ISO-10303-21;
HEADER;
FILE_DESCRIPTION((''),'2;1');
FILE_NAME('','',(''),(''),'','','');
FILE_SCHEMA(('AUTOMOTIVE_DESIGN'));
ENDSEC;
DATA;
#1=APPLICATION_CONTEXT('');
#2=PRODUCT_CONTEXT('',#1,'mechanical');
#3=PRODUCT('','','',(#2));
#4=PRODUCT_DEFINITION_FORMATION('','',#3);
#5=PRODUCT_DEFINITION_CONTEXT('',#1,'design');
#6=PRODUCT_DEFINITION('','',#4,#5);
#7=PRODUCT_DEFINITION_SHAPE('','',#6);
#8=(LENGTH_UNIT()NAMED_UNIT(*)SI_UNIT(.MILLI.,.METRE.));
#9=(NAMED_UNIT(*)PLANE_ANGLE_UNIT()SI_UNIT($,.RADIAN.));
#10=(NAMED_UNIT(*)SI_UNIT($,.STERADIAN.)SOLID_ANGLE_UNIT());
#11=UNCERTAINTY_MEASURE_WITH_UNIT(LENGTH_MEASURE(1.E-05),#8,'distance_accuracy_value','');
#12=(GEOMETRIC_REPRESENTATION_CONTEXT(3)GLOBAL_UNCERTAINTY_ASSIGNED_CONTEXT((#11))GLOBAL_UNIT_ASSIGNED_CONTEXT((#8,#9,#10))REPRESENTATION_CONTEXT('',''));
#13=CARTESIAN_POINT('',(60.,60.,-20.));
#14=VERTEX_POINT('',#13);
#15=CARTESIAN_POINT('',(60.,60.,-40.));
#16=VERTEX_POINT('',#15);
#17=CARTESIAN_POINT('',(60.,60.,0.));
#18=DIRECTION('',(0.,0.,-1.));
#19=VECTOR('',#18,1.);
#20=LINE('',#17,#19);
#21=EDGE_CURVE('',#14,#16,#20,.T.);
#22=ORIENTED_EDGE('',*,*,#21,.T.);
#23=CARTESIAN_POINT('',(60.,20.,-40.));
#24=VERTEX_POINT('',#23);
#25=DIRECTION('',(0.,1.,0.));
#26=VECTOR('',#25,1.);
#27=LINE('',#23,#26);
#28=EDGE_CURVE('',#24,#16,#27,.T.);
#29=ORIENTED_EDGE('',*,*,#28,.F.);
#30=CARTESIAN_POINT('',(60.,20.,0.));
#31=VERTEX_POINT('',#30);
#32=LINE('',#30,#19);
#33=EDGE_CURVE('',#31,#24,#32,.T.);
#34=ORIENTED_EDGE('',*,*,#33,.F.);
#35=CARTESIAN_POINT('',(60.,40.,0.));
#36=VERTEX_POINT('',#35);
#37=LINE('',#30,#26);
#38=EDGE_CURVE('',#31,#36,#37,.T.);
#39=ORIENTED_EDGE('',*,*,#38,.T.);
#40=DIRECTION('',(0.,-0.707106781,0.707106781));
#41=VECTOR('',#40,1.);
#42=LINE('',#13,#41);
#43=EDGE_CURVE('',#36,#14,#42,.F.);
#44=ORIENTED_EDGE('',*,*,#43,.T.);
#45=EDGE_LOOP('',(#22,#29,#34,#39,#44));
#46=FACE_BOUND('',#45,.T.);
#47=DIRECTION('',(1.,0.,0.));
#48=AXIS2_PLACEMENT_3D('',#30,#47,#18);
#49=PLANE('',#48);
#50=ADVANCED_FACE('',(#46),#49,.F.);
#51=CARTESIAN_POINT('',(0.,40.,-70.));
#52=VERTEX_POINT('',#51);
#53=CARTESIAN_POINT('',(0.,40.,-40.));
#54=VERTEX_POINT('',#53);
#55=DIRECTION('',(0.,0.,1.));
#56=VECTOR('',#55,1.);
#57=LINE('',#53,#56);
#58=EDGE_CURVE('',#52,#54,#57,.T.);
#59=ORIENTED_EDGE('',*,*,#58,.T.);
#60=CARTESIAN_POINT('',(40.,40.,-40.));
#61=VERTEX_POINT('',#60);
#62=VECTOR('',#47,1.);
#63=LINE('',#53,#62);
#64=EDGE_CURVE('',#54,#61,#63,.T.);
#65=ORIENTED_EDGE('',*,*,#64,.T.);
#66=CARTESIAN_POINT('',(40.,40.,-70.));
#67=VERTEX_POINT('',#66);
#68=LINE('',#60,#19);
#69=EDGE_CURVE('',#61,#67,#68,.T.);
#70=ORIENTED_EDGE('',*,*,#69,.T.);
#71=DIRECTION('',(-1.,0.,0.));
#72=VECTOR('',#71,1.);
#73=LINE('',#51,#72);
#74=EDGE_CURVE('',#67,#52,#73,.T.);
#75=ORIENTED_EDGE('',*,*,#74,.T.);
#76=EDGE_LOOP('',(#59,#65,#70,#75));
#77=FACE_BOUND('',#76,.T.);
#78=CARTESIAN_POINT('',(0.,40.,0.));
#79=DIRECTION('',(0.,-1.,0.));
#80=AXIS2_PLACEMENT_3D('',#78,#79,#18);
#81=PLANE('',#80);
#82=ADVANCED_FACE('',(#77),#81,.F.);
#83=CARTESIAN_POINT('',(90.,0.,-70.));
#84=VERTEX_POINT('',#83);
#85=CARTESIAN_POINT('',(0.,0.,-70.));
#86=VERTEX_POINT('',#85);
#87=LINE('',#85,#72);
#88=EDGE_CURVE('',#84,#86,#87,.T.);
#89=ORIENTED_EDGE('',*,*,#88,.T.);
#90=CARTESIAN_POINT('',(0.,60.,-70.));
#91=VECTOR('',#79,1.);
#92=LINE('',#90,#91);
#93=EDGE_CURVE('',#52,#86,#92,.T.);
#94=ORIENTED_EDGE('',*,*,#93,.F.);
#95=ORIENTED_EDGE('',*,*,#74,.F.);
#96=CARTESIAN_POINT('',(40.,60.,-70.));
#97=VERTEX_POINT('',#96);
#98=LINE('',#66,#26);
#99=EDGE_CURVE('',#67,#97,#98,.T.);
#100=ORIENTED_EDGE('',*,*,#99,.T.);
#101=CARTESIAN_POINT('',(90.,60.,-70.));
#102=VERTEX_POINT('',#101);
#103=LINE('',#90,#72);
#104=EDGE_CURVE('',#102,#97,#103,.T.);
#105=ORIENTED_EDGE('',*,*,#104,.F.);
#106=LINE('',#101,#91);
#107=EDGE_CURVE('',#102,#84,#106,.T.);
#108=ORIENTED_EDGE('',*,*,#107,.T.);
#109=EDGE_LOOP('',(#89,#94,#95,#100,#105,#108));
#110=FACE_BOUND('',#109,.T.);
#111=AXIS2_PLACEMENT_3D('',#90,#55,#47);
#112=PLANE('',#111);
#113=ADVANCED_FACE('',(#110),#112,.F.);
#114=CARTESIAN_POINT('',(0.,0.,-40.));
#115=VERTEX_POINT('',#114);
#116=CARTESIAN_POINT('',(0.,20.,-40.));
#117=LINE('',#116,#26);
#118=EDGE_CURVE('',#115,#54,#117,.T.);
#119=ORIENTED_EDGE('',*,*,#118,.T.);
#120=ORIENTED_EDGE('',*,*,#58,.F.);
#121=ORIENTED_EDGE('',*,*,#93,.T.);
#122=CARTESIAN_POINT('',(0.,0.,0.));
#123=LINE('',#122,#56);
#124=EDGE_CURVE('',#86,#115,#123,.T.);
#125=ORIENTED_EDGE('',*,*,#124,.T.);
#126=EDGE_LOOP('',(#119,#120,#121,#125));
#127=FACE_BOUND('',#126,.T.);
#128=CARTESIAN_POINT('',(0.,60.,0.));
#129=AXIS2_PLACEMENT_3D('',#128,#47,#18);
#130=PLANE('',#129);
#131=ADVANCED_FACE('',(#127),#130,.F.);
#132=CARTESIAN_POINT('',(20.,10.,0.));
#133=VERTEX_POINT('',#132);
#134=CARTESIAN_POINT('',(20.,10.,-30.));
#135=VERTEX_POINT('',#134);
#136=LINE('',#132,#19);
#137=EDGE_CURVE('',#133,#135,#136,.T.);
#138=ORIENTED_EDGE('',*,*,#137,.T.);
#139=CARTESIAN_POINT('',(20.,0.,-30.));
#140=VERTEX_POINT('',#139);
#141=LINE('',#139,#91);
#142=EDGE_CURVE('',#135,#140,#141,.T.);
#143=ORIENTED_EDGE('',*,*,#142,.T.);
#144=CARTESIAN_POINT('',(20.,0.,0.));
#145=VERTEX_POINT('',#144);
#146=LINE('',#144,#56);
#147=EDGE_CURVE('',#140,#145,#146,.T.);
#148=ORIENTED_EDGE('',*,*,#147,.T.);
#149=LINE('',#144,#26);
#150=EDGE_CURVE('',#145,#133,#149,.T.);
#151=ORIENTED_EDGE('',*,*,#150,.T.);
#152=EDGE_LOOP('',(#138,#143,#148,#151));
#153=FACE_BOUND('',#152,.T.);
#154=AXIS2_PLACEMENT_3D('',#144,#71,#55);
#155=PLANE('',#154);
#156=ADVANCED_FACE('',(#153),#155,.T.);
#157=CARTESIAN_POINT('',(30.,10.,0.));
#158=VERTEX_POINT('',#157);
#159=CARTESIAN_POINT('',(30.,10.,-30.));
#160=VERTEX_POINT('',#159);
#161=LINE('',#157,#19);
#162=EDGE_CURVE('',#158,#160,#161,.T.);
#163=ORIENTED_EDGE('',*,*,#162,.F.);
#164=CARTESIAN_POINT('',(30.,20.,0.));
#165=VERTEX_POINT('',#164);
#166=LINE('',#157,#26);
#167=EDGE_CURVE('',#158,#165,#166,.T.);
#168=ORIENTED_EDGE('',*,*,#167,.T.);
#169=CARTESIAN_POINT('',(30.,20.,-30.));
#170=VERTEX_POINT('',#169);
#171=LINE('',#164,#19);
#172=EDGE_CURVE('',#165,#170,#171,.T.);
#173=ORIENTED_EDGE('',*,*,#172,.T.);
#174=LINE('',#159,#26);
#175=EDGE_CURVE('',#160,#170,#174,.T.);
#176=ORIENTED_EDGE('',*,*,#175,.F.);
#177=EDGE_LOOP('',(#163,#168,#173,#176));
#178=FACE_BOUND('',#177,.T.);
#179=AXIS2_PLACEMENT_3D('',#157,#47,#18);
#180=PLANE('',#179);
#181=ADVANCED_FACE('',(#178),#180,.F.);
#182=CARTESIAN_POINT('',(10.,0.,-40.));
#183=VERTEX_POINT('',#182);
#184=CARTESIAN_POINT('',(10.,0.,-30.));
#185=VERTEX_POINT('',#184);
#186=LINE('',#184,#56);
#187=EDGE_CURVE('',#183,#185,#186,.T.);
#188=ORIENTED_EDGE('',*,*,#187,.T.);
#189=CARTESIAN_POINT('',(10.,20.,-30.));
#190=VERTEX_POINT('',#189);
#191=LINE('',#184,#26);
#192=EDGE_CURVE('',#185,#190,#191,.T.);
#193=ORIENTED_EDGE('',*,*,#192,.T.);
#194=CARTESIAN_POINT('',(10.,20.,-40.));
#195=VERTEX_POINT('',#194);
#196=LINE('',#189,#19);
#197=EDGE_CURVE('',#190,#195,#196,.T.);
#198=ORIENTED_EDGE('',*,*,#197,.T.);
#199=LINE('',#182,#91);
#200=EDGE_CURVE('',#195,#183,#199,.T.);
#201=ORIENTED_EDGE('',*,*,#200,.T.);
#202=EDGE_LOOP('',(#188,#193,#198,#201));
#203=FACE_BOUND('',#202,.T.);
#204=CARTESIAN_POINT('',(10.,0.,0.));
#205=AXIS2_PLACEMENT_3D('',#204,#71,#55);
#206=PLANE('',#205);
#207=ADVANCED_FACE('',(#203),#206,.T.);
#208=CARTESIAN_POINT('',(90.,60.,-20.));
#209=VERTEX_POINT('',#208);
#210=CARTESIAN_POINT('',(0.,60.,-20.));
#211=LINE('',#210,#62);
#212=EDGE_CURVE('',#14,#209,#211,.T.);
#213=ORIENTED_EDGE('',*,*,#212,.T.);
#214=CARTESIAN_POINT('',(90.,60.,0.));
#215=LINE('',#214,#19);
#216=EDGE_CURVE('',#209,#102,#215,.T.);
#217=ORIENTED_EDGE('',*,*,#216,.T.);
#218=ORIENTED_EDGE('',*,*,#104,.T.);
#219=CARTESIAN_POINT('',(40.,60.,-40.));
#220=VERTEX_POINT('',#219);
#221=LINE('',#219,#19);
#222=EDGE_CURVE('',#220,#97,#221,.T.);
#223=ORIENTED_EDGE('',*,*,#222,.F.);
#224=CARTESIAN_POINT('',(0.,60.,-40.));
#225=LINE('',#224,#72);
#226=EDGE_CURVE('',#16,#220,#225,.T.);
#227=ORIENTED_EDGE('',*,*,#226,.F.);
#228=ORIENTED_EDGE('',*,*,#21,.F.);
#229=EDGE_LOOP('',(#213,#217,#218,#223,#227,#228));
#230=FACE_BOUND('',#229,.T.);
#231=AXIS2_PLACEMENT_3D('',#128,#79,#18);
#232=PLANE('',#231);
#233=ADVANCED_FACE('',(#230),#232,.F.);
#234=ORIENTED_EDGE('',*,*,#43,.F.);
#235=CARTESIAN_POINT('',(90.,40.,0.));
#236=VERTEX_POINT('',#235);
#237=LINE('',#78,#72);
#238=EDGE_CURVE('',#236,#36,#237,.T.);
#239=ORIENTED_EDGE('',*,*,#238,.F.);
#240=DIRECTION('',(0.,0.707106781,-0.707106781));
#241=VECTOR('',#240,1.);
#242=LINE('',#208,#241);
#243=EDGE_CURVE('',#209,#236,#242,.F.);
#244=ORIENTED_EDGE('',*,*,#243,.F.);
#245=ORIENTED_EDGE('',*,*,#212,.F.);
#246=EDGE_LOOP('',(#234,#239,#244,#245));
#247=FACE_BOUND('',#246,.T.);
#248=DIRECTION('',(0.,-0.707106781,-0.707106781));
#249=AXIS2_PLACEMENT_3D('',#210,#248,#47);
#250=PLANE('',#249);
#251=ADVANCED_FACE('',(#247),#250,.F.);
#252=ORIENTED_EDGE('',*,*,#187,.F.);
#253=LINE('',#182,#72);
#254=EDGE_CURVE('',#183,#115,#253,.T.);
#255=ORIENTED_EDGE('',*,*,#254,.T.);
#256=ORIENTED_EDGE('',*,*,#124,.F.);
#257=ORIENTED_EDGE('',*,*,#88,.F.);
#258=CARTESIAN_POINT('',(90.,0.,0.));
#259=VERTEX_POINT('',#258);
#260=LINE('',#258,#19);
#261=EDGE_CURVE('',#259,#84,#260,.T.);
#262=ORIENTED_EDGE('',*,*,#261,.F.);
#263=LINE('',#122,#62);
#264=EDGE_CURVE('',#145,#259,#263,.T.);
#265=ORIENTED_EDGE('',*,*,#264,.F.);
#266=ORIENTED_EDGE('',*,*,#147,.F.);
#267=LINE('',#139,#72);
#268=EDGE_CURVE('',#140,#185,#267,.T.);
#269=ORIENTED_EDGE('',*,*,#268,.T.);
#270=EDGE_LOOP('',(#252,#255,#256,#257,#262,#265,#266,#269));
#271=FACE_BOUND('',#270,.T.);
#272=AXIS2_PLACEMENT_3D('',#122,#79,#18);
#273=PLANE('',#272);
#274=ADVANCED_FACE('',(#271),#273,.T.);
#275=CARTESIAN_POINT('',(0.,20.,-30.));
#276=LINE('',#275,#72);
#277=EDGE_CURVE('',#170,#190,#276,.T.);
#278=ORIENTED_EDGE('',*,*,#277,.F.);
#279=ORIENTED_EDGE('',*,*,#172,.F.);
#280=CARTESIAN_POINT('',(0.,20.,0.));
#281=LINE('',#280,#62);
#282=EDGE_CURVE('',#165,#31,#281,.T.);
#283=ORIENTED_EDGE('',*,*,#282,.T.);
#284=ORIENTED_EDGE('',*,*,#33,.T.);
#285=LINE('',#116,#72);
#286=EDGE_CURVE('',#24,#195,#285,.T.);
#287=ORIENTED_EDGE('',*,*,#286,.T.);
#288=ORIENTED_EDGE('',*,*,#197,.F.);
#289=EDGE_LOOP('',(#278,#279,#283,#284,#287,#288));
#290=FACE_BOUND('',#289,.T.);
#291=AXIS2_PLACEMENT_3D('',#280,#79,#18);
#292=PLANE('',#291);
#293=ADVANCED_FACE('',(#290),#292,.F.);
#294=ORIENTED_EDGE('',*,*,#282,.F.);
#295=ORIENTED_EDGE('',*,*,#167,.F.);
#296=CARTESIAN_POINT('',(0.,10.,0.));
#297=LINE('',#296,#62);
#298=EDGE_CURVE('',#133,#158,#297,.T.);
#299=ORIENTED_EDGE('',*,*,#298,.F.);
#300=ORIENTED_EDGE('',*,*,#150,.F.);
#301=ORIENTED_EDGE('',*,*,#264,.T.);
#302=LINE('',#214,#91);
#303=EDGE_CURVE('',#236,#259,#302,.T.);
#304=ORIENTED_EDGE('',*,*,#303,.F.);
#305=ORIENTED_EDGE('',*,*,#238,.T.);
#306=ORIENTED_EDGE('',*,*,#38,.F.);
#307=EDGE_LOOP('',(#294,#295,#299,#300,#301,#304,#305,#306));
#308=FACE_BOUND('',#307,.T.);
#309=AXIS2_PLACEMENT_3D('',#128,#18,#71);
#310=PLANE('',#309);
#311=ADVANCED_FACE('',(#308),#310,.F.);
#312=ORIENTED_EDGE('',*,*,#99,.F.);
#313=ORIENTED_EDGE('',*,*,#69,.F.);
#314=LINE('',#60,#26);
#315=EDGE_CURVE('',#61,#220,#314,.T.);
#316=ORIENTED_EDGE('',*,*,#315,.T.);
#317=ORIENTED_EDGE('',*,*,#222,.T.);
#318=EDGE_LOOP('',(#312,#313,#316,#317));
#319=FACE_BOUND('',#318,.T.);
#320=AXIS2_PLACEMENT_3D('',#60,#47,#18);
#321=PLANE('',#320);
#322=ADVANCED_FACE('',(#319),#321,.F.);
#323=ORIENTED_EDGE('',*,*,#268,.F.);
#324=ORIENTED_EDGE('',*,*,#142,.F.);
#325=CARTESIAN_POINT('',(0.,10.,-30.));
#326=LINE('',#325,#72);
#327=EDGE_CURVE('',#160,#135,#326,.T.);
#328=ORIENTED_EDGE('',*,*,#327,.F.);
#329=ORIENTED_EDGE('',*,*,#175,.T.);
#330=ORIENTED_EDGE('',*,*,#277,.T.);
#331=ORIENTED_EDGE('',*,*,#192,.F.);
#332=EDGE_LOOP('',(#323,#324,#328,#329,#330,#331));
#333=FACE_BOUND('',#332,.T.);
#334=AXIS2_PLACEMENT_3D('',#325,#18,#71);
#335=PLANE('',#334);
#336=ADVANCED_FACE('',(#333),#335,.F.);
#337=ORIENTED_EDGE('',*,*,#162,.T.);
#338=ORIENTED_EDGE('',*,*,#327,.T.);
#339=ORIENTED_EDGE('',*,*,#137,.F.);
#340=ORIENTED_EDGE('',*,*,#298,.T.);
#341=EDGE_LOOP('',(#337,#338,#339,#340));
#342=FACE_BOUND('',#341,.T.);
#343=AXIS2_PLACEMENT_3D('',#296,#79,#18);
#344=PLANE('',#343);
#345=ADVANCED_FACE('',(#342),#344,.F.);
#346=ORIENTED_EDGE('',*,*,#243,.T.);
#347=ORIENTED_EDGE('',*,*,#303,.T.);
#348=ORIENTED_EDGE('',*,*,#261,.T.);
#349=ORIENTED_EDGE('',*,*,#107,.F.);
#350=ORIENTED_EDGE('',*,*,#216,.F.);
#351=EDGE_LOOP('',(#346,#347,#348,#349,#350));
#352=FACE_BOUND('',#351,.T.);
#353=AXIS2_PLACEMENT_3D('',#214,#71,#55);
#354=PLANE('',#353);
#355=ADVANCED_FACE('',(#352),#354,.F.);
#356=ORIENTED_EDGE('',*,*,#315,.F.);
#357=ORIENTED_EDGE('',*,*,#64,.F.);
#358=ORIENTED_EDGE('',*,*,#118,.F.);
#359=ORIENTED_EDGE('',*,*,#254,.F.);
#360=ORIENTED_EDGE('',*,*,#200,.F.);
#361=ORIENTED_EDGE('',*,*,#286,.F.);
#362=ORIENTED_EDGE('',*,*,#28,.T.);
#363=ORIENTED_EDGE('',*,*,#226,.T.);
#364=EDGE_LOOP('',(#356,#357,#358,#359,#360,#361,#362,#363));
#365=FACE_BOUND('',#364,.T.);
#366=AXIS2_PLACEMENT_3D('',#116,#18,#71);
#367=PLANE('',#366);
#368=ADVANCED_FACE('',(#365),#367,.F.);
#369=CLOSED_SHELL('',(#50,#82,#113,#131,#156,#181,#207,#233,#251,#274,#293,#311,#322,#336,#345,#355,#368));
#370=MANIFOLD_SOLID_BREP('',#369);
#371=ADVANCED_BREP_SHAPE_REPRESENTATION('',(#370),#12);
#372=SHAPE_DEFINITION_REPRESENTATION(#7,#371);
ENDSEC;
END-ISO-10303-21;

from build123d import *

# Parameters (mm, degrees)
SKETCH1_W           = 90
SKETCH1_H           = 70
BOSS_EXTRUDE1_DEPTH = 60
SKETCH2_W           = 60
SKETCH2_H           = 40
CUT_EXTRUDE1_DEPTH  = 40
SKETCH3_W           = 30
SKETCH3_H           = 30
CUT_EXTRUDE2_DEPTH  = 10
SKETCH4_W           = 30
SKETCH4_H           = 10
CUT_EXTRUDE3_DEPTH  = 20
SKETCH5_W           = 10
SKETCH5_H           = 20
CUT_EXTRUDE4_DEPTH  = 10
SKETCH7_W           = 40
SKETCH7_H           = 30
CUT_EXTRUDE5_DEPTH  = 20
CHAMFER1_SIZE       = 20


with BuildPart() as part:
    # Sketch1 → Boss-Extrude1 (new body)
    with BuildSketch(Plane(origin=(0, 0, 0), x_dir=(1, 0, 0), z_dir=(0, 1, 0))):
        with Locations((45, 35)):
            Rectangle(SKETCH1_W, SKETCH1_H)
    extrude(amount=BOSS_EXTRUDE1_DEPTH)

    # Sketch2 → Cut-Extrude1 (cut)
    with BuildSketch(Plane(origin=(0, 60, 0), x_dir=(1, 0, 0), z_dir=(0, 1, 0))):
        with Locations((30, 20)):
            Rectangle(SKETCH2_W, SKETCH2_H)
    extrude(amount=-CUT_EXTRUDE1_DEPTH, mode=Mode.SUBTRACT)

    # Sketch3 → Cut-Extrude2 (cut)
    with BuildSketch(Plane(origin=(0, 20, 0), x_dir=(1, 0, 0), z_dir=(0, 1, 0))):
        with Locations((15, 15)):
            Rectangle(SKETCH3_W, SKETCH3_H)
    extrude(amount=-CUT_EXTRUDE2_DEPTH, mode=Mode.SUBTRACT)

    # Sketch4 → Cut-Extrude3 (cut)
    with BuildSketch(Plane.ZY):
        with Locations((-15, 5)):
            Rectangle(SKETCH4_W, SKETCH4_H)
    extrude(amount=-CUT_EXTRUDE3_DEPTH, mode=Mode.SUBTRACT)

    # Sketch5 → Cut-Extrude4 (cut)
    with BuildSketch(Plane.ZY):
        with Locations((-35, 10)):
            Rectangle(SKETCH5_W, SKETCH5_H)
    extrude(amount=-CUT_EXTRUDE4_DEPTH, mode=Mode.SUBTRACT)

    # Sketch7 → Cut-Extrude5 (cut)
    with BuildSketch(Plane(origin=(0, 60, 0), x_dir=(1, 0, 0), z_dir=(0, 1, 0))):
        with Locations((20, 55)):
            Rectangle(SKETCH7_W, SKETCH7_H)
    extrude(amount=-CUT_EXTRUDE5_DEPTH, mode=Mode.SUBTRACT)

    # Chamfer1
    chamfer1_edges = [part.edges().sort_by_distance(p)[0] for p in [
        (75, 60, 0),
    ]]
    chamfer(chamfer1_edges, length=CHAMFER1_SIZE)


solid = part.part
